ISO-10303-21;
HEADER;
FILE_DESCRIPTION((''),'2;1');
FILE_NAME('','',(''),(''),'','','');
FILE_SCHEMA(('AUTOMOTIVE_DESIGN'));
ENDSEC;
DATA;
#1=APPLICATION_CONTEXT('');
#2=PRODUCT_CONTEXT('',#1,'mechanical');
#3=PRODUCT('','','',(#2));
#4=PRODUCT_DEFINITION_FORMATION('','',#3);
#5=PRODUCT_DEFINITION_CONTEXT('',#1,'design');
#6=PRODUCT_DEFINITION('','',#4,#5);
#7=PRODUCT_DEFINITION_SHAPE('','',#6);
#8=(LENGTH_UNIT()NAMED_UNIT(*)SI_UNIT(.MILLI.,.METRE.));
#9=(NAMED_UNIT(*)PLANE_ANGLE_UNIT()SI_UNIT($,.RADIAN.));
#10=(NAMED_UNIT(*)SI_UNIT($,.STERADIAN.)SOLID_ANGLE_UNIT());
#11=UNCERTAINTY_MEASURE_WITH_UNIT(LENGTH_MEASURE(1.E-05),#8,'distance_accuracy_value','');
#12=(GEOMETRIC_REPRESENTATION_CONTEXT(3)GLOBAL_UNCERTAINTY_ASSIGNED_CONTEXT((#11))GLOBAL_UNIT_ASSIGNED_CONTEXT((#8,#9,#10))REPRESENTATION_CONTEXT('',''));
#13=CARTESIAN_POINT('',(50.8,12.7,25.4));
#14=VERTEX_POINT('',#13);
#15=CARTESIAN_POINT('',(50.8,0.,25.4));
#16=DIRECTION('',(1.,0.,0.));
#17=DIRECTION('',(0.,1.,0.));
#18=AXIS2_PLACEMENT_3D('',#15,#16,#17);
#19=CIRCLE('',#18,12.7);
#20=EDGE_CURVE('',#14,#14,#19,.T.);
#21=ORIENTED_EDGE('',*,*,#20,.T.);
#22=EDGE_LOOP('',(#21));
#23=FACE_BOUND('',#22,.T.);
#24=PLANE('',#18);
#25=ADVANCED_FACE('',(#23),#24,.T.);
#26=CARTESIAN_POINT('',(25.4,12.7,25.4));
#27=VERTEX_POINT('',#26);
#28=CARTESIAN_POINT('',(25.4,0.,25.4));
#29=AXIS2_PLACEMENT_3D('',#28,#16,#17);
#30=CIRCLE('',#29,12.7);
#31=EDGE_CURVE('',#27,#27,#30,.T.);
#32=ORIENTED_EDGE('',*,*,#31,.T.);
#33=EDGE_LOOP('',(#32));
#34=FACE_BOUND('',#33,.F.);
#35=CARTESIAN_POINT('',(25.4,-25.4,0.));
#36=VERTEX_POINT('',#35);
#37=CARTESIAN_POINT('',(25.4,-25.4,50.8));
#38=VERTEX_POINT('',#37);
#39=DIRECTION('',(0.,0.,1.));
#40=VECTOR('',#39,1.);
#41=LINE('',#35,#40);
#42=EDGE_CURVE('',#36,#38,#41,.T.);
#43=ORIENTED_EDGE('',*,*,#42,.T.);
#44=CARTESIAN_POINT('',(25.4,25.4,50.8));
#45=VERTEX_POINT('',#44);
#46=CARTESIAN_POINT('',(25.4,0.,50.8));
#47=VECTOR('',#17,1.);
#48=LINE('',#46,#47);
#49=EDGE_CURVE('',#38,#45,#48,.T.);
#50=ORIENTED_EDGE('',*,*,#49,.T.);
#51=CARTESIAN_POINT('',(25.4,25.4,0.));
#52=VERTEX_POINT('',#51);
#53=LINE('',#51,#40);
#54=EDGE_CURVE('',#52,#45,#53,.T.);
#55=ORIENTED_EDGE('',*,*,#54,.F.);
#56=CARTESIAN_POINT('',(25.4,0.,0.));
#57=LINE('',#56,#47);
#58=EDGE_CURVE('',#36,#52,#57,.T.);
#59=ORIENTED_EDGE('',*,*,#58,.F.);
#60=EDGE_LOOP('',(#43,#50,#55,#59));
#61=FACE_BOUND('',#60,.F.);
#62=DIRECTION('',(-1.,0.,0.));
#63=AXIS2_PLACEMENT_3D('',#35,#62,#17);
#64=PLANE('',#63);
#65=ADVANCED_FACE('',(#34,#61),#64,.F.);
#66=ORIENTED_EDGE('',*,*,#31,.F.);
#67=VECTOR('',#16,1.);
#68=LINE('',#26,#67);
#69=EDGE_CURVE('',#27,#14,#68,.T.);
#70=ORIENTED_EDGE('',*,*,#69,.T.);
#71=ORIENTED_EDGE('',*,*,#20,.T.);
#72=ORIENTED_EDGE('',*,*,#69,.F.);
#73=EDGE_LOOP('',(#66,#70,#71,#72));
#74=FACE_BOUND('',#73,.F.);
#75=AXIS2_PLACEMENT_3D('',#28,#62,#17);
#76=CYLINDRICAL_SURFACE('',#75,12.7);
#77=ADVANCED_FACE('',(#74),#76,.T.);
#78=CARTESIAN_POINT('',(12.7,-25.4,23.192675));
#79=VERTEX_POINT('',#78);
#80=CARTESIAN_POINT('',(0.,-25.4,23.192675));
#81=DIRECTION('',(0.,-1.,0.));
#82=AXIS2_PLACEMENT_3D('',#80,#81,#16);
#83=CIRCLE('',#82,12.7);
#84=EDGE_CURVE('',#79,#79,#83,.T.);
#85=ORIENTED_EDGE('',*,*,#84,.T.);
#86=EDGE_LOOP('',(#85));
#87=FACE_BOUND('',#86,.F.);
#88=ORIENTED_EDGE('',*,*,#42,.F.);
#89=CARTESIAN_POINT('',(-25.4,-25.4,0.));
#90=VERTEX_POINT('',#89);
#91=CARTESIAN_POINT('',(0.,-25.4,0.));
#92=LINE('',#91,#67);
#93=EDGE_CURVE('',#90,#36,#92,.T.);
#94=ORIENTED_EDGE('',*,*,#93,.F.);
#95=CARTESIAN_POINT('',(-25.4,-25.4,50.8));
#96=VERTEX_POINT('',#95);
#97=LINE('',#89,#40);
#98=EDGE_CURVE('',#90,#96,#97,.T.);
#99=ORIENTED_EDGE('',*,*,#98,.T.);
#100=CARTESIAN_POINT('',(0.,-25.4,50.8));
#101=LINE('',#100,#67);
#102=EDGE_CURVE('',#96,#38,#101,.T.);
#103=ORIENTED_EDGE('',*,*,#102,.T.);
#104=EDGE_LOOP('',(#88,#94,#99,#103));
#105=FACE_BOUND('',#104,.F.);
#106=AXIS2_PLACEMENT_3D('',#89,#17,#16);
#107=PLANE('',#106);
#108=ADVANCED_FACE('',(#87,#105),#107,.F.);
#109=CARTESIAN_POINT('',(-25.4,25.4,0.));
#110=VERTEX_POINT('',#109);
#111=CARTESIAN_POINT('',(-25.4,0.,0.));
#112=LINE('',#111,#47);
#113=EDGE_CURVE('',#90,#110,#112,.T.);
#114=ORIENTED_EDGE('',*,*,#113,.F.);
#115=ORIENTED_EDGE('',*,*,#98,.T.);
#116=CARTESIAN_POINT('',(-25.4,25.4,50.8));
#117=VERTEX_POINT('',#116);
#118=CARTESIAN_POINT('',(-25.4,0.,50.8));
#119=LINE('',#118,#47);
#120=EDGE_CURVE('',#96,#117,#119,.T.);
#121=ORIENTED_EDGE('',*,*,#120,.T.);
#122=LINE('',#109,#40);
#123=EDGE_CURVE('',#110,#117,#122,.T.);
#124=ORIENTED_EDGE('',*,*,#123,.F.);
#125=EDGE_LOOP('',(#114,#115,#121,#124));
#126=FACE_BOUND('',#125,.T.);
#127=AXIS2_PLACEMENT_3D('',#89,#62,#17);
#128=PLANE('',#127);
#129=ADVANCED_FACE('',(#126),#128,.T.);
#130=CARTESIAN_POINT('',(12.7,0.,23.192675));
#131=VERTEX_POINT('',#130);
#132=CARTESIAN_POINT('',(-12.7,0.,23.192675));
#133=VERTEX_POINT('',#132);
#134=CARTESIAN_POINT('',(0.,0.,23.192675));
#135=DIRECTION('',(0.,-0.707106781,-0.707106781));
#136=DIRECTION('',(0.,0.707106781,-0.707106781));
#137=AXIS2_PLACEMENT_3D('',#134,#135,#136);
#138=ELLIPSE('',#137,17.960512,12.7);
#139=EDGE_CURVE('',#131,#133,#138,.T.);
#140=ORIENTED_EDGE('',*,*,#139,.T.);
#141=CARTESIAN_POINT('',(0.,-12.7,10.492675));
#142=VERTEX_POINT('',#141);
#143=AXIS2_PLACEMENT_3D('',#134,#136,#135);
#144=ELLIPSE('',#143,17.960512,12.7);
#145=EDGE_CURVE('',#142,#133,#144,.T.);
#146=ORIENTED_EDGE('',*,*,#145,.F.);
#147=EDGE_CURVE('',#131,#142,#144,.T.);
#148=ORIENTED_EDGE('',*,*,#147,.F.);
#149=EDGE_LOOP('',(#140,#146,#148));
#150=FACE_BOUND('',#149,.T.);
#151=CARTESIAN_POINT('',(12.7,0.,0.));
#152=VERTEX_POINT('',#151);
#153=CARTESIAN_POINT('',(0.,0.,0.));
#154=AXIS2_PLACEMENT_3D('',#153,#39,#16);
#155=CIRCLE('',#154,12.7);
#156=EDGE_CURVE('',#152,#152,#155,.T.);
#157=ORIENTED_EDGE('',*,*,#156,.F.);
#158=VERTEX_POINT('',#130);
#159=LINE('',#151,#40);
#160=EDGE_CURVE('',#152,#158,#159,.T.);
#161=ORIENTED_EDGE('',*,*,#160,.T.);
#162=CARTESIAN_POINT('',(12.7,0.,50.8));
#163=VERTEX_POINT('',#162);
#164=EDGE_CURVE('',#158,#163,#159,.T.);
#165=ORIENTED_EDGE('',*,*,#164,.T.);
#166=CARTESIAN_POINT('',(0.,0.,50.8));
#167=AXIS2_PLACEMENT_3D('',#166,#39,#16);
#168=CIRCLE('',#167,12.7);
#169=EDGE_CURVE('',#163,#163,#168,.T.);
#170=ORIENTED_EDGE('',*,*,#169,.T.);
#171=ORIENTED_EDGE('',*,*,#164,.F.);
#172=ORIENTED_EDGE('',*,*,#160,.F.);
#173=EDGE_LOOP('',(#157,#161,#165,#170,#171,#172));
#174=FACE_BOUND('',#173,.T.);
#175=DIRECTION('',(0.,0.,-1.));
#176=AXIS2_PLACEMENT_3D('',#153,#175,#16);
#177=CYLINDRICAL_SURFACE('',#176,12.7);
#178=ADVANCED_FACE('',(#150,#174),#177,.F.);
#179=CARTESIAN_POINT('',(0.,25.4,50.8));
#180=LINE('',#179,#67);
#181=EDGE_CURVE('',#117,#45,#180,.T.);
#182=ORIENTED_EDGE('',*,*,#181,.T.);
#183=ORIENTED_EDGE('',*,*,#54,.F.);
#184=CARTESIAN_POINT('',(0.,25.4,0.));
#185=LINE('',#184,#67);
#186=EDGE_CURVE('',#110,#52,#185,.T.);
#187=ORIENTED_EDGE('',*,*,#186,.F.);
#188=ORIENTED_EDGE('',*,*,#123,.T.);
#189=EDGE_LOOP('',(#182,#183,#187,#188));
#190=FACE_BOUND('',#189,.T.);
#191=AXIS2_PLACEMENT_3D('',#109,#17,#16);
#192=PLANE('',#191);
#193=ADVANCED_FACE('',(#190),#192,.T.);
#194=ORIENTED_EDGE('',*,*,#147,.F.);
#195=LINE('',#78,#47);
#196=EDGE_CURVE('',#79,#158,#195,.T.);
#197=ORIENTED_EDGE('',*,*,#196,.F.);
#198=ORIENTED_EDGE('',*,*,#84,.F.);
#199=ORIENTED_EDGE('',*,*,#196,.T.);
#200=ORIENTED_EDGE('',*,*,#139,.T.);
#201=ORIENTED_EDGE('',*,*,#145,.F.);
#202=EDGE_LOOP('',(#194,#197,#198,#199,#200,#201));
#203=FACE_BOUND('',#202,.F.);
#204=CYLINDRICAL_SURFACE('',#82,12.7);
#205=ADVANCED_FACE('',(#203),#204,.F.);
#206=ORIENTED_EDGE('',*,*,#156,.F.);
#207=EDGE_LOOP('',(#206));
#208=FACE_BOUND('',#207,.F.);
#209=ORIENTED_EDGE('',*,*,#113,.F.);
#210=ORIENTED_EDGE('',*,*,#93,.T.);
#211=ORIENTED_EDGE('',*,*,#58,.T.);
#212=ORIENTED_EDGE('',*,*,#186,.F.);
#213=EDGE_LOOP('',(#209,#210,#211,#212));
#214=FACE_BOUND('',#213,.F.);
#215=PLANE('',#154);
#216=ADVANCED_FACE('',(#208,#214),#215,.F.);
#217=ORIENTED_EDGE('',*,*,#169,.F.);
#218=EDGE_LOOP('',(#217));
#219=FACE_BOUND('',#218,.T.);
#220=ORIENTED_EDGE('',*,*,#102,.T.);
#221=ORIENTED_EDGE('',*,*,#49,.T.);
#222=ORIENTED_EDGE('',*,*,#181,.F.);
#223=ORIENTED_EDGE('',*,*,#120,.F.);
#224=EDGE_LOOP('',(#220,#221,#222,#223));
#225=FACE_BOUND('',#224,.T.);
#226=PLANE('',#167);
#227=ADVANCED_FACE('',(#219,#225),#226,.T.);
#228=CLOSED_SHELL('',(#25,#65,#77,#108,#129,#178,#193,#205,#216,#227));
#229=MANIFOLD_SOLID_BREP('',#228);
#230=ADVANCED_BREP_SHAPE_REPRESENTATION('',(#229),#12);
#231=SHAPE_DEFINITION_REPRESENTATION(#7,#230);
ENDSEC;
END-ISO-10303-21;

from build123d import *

# Parameters (mm, degrees)
F0_W     = 50.8
F0_H     = 50.8
F0_R     = 12.7
F1_DEPTH = 50.8
F2_R     = 12.7
F3_DEPTH = 25.4
F4_R     = 12.7
F5_DEPTH = 25.4


with BuildPart() as f1:
    # F0 (on Top) → F1 (new body)
    with BuildSketch(Plane.XY):
        Rectangle(F0_W, F0_H)
        Circle(F0_R, mode=Mode.SUBTRACT)
    extrude(amount=F1_DEPTH)

    # F2 (on face) → F3 (cut)
    with BuildSketch(Plane.XZ.offset(25.4)):
        with Locations((0, 23.192675)):
            Circle(F2_R)
    extrude(amount=-F3_DEPTH, mode=Mode.SUBTRACT)

    # F4 (on face) → F5 (join)
    with BuildSketch(Plane.YZ.offset(25.4)):
        with Locations((0, 25.4)):
            Circle(F4_R)
    extrude(amount=F5_DEPTH)


solid = f1.part
